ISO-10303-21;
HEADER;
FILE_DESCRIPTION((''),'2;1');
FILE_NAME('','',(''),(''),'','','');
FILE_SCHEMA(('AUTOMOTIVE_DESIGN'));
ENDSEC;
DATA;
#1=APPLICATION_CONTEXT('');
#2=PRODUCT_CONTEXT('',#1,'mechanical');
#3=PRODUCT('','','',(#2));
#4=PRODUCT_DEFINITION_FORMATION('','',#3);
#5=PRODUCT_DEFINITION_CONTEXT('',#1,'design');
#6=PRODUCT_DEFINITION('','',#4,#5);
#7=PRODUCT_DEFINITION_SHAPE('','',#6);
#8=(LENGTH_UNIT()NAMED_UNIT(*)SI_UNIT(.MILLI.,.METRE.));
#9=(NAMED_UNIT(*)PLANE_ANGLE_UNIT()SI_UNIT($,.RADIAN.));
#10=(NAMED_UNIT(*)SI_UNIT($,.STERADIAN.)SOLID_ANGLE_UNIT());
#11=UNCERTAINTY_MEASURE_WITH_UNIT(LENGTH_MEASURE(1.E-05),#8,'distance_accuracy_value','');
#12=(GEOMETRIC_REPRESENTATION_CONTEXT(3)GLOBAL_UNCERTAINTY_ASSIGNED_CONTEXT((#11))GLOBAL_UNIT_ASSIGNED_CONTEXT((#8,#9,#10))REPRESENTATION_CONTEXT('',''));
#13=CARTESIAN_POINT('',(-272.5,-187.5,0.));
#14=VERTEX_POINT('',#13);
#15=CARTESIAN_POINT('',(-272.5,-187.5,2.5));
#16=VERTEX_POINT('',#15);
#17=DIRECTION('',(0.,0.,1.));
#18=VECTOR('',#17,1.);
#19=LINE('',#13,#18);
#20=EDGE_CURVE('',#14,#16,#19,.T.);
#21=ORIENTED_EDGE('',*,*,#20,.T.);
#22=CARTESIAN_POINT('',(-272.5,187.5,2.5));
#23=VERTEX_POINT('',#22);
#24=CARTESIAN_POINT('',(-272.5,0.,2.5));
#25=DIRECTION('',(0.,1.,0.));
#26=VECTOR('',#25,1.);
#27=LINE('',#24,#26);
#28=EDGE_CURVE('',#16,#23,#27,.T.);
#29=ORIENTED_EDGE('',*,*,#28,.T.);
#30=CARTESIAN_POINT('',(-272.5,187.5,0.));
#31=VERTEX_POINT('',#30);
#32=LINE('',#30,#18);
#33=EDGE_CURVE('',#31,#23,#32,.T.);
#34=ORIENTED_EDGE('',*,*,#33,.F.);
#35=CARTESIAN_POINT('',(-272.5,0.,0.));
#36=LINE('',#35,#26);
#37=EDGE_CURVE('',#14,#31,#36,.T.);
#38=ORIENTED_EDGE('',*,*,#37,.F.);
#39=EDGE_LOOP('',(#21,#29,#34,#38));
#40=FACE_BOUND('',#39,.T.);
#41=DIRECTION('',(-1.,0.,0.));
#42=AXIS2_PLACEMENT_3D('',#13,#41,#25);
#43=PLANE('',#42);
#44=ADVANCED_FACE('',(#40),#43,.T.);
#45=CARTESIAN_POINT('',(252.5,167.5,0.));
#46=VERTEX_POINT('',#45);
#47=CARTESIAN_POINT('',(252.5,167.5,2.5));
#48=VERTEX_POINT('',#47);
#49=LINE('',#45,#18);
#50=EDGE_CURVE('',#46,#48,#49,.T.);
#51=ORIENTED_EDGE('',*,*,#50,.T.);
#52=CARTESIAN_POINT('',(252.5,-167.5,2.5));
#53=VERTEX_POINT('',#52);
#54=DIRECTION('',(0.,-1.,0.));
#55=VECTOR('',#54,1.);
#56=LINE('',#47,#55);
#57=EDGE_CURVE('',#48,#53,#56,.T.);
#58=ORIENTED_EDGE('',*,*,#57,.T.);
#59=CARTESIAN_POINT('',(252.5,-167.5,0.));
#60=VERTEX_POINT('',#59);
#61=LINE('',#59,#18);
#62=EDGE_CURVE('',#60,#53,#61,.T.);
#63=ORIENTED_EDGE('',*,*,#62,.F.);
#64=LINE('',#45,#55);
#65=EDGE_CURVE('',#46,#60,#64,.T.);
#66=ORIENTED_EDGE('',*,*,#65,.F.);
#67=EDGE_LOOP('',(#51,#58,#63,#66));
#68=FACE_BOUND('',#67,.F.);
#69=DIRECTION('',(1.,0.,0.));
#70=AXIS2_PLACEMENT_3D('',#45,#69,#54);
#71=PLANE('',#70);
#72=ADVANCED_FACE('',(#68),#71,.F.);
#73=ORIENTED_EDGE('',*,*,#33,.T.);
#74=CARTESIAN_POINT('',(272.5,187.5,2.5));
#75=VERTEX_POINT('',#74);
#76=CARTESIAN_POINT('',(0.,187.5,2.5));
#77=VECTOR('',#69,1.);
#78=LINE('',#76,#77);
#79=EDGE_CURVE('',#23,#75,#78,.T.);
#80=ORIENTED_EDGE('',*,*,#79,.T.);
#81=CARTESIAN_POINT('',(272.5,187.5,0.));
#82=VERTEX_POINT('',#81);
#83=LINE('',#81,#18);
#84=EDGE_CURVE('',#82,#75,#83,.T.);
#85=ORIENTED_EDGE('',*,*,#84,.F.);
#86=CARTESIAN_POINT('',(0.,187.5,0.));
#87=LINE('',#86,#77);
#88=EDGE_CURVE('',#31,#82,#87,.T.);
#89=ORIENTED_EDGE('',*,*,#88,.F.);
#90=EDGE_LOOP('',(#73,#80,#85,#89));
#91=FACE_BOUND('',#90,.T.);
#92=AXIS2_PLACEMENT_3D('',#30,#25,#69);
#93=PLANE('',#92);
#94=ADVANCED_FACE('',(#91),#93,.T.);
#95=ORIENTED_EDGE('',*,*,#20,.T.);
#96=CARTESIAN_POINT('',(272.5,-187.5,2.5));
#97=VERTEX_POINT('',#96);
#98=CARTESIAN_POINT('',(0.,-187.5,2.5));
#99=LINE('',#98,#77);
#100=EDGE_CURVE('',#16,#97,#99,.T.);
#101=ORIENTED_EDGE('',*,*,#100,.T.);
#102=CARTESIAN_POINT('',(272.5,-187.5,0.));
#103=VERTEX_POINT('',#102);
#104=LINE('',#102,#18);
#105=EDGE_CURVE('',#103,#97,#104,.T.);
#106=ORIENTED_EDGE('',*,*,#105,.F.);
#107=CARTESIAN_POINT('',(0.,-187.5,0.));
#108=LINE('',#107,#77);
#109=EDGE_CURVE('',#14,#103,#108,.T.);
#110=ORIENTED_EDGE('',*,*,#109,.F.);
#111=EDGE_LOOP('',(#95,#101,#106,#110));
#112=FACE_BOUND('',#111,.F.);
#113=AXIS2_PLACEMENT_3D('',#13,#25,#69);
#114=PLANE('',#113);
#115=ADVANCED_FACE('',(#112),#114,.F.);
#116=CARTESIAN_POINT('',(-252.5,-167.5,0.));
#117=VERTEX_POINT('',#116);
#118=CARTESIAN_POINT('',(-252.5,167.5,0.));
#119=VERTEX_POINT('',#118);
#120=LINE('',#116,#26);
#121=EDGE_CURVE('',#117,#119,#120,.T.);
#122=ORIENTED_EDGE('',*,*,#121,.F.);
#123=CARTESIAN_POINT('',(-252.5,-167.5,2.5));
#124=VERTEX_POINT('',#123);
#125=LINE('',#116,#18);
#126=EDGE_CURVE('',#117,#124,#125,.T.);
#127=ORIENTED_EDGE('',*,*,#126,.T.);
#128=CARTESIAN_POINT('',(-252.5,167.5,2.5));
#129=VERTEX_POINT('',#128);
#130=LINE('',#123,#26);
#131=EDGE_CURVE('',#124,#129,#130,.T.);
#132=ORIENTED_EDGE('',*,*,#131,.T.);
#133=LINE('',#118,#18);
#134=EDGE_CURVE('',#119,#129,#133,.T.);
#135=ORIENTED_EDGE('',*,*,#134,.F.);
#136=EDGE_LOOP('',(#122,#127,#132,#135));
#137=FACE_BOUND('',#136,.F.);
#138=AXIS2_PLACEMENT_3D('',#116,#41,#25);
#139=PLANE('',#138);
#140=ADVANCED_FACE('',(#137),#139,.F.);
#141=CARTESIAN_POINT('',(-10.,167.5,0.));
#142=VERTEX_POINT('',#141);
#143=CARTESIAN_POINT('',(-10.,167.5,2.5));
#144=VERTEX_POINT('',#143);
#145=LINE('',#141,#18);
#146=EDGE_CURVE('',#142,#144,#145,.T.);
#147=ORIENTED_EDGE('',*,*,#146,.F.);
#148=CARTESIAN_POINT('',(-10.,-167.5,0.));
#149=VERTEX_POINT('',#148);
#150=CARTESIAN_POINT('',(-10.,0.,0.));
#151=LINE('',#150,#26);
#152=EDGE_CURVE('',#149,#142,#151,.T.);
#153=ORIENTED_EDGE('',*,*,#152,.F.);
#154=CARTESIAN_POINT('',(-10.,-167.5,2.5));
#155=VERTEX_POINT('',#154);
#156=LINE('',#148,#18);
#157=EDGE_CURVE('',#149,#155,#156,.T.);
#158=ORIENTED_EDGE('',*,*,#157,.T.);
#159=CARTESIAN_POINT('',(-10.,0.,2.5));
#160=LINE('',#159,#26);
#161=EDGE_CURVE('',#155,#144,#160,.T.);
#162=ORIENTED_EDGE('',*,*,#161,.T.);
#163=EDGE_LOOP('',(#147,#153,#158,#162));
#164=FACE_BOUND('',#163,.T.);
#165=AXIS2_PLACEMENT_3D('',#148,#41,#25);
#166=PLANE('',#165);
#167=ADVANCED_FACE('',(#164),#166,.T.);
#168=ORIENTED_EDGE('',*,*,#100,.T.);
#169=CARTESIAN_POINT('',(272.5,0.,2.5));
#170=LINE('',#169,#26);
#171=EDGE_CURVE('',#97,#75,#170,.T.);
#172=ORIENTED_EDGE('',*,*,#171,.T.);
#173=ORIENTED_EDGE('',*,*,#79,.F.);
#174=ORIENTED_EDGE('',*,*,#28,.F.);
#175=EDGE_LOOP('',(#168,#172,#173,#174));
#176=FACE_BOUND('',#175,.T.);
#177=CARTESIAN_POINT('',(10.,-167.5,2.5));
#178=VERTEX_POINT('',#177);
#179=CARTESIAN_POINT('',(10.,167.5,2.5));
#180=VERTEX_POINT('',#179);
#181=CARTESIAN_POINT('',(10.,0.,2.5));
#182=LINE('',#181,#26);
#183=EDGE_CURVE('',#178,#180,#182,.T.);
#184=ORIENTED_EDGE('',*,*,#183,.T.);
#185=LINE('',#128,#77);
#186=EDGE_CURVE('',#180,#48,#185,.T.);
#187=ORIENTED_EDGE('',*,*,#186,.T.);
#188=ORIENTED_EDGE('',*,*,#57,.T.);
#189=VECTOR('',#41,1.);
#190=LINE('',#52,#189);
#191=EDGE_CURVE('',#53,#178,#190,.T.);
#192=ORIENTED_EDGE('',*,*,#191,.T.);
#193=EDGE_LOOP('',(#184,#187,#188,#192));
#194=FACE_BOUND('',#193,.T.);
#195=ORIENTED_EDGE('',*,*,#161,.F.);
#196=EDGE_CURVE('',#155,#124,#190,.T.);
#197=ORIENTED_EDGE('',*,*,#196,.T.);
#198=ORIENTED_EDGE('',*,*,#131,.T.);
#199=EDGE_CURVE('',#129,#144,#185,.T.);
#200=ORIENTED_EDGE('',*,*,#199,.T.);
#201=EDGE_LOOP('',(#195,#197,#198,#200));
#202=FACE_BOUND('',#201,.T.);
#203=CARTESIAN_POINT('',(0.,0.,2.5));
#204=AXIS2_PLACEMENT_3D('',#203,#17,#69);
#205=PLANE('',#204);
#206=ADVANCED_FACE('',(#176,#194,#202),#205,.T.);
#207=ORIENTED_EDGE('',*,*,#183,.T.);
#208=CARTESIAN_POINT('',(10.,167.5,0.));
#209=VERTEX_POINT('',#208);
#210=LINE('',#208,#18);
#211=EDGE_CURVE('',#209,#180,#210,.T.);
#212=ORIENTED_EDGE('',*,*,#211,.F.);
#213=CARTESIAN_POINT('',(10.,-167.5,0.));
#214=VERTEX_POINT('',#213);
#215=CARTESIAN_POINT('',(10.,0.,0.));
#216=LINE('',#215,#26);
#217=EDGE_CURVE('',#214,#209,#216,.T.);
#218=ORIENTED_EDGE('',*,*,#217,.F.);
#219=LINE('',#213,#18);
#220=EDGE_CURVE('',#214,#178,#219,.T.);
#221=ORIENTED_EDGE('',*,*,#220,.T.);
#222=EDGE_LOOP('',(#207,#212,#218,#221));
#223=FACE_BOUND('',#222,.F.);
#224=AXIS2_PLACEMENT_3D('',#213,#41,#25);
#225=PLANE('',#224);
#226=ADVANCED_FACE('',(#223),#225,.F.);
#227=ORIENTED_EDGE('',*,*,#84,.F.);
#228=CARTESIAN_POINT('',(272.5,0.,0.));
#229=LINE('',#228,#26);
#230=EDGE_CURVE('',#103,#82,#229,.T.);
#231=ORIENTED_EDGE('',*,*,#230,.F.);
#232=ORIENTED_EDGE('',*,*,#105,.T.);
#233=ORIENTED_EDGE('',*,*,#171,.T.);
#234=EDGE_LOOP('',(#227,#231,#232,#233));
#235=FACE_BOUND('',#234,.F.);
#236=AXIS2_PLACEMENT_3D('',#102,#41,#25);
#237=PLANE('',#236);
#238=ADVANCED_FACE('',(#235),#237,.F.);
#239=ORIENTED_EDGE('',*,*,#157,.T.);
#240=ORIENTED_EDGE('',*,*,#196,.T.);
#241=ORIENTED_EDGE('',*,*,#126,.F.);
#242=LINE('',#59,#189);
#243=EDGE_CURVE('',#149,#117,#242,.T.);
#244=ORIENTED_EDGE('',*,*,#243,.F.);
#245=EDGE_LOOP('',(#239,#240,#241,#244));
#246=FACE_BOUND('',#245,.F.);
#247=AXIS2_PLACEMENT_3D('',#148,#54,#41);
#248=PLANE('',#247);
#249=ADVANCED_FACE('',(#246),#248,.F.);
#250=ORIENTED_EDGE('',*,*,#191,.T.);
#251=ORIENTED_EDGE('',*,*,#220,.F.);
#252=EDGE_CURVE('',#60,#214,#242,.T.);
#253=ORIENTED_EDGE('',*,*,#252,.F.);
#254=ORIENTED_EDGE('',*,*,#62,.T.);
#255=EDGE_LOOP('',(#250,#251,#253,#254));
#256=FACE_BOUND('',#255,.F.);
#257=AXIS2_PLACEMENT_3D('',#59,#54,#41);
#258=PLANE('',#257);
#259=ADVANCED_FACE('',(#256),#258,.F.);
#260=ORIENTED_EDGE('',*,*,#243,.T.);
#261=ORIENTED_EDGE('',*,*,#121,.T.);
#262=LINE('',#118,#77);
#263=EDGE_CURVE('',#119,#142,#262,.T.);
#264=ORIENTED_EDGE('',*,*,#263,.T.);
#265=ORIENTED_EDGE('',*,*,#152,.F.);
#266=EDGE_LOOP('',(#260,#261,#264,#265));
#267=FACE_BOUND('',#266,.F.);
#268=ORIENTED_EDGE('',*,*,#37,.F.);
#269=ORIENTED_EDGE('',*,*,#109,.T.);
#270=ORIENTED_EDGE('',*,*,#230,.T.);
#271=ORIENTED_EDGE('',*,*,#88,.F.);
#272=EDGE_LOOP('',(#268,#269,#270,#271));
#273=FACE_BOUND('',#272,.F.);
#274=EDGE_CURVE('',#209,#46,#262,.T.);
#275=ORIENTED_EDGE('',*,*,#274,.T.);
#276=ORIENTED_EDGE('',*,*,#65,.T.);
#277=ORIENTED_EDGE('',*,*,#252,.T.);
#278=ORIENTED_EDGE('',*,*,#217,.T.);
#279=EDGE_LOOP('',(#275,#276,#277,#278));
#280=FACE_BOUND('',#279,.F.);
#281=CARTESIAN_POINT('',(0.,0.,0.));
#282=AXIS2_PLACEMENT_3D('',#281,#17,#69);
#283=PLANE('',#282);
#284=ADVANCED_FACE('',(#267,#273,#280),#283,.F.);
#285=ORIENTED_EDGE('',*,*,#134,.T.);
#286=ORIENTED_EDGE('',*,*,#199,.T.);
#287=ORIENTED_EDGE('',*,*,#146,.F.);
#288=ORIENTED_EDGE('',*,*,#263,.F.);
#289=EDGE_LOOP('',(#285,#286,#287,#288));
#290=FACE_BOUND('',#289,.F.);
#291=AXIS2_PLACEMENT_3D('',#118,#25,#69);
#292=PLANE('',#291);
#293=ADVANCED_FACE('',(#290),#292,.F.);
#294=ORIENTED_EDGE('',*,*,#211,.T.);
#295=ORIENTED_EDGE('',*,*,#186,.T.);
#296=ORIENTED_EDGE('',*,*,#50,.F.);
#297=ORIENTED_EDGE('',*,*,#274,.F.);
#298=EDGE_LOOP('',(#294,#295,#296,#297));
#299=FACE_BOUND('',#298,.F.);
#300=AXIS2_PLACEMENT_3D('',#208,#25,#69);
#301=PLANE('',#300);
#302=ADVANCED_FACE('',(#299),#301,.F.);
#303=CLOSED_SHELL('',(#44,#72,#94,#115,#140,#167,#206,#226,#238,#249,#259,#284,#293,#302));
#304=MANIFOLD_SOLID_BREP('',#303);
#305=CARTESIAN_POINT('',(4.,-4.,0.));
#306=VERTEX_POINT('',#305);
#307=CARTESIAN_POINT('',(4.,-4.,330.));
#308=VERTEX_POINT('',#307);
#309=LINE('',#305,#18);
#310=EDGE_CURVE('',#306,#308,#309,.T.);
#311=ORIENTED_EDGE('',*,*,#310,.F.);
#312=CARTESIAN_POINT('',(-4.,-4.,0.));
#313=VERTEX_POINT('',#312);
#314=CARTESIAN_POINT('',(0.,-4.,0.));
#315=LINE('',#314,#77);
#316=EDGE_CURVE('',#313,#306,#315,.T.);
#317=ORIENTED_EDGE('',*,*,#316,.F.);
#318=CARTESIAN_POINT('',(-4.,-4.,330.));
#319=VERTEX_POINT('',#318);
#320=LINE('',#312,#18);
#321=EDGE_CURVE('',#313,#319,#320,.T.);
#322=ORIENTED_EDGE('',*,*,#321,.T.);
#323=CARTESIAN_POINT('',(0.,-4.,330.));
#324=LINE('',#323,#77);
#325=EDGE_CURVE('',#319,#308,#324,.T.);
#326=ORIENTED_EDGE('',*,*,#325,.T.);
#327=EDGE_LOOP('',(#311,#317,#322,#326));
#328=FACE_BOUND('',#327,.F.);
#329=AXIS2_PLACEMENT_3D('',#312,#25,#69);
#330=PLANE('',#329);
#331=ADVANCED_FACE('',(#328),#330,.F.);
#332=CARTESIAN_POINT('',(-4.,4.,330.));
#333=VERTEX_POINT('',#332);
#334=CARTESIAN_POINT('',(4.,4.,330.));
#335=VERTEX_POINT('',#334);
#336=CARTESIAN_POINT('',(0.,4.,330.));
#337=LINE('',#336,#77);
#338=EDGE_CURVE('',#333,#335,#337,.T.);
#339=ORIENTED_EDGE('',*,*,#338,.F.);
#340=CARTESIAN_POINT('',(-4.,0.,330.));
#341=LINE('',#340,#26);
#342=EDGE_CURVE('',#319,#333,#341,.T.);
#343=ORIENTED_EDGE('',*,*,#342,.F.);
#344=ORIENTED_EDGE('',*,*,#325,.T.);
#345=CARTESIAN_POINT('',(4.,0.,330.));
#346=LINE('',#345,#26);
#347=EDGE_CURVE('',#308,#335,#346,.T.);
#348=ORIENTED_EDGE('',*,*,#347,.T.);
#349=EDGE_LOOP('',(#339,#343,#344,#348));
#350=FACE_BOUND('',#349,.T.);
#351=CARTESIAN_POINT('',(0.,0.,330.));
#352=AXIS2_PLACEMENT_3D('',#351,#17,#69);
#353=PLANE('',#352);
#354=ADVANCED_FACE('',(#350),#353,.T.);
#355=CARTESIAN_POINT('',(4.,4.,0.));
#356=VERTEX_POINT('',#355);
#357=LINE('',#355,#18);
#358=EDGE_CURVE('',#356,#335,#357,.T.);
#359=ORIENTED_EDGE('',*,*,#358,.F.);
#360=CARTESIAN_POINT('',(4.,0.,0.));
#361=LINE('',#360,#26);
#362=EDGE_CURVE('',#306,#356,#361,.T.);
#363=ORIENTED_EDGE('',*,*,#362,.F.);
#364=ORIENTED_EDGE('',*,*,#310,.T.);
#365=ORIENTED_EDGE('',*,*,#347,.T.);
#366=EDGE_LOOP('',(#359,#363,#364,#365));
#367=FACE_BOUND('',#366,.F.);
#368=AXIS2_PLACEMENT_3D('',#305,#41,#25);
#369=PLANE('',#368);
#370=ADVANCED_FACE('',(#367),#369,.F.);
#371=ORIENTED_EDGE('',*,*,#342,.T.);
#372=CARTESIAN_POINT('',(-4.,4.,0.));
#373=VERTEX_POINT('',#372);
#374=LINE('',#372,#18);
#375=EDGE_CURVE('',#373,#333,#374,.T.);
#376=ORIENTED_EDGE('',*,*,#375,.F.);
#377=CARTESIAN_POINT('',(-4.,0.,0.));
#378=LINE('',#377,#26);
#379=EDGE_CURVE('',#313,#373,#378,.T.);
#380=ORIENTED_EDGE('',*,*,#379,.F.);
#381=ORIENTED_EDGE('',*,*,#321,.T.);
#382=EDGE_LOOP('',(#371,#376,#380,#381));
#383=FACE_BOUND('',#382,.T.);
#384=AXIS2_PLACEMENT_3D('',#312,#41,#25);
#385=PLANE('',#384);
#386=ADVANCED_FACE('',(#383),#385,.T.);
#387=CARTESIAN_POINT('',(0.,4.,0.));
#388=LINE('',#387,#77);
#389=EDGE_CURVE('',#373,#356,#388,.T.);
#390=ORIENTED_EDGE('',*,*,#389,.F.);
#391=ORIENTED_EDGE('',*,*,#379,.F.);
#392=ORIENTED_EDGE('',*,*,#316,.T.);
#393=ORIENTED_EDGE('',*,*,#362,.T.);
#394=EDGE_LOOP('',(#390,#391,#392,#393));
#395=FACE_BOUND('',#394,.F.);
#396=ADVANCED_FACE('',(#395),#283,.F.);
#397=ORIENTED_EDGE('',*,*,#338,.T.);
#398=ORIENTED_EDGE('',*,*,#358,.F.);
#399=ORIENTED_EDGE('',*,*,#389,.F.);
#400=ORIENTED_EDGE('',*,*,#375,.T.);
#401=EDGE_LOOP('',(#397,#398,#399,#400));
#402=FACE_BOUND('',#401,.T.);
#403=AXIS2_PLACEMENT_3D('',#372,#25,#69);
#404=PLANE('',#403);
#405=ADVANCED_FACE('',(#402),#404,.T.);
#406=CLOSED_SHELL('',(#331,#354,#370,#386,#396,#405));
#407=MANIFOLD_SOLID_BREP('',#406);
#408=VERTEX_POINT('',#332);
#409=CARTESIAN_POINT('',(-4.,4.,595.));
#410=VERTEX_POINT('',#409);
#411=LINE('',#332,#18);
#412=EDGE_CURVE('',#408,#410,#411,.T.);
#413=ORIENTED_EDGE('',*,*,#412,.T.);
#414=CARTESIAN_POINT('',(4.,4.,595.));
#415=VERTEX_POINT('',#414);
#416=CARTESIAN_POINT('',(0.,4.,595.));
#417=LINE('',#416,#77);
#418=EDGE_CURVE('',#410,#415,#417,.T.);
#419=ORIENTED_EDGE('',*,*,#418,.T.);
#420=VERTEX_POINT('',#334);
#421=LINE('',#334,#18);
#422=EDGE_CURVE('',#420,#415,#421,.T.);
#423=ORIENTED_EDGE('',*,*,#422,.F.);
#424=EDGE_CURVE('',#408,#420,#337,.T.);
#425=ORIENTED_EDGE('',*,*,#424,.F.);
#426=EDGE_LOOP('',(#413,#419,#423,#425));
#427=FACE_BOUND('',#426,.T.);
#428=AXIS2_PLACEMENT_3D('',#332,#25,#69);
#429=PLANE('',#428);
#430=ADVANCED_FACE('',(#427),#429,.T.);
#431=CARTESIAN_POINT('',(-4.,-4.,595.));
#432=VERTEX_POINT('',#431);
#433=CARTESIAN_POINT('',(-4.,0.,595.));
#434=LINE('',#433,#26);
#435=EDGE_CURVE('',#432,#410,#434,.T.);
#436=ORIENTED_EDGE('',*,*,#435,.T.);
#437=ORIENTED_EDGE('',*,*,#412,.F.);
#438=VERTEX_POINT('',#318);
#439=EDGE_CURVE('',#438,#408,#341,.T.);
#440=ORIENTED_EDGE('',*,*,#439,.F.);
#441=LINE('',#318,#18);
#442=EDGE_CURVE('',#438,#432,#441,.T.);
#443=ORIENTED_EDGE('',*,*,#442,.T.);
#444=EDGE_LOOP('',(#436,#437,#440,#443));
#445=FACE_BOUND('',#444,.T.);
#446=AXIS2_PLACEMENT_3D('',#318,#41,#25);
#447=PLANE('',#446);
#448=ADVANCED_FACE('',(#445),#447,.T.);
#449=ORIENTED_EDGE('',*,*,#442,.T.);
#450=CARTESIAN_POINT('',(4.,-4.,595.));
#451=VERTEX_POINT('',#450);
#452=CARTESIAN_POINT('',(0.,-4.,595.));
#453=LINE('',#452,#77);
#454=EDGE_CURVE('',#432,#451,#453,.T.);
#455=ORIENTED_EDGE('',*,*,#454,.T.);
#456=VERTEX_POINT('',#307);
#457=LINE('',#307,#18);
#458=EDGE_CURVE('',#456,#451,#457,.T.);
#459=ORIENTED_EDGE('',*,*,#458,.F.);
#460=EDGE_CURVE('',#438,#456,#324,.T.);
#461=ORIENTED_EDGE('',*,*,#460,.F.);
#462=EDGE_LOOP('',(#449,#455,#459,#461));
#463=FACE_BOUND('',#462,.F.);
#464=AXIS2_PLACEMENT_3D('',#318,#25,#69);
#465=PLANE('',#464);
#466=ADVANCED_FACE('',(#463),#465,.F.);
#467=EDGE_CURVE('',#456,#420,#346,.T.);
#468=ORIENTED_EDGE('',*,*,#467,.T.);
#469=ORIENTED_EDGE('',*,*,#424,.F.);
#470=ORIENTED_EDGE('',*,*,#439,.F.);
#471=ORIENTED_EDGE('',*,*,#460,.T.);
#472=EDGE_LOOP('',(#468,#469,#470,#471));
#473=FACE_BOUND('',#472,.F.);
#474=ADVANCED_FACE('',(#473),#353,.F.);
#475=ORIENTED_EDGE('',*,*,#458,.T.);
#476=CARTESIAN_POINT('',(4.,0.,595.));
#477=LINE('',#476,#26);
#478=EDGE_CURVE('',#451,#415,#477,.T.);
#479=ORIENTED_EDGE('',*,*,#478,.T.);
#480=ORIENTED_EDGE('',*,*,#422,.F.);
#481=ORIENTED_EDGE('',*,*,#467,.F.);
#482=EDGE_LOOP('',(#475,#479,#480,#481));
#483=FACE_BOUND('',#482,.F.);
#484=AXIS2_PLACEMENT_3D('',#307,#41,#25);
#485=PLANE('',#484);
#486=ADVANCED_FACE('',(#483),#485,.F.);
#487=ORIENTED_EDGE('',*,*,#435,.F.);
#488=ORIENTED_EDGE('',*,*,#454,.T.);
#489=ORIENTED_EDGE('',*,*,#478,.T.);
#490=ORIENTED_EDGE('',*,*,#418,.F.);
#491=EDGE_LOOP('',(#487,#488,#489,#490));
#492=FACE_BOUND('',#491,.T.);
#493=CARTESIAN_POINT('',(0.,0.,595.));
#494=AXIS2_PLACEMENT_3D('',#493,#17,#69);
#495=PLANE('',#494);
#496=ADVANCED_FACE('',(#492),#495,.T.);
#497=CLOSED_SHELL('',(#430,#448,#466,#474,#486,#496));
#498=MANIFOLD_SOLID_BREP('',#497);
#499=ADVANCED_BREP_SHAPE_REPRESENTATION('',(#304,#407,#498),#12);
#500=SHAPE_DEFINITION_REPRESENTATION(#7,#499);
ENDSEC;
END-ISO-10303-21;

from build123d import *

# Parameters (mm, degrees)
F0_W      = 545
F0_H      = 375
F0_W_2    = 20
F0_H_2    = 335
F1_DEPTH  = 2.5
F2_W      = 8
F2_H      = 8
F3_DEPTH  = 330
F3_FACE_W = 8
F3_FACE_H = 8
F4_DEPTH  = 265


with BuildPart() as f1:
    # F0 (on Top) → F1 (new body)
    with BuildSketch(Plane.XY):
        Rectangle(F0_W, F0_H)
        Polygon((252.5, 167.5), (252.5, -167.5), (10, -167.5), (-10, -167.5), (-252.5, -167.5), (-252.5, 167.5), (-10, 167.5), (10, 167.5), align=None, mode=Mode.SUBTRACT)
        Rectangle(F0_W_2, F0_H_2)
    extrude(amount=F1_DEPTH)


with BuildPart() as f3:
    # F2 (on Top) → F3 (new body)
    with BuildSketch(Plane.XY):
        Rectangle(F2_W, F2_H)
    extrude(amount=F3_DEPTH)


with BuildPart() as f4:
    # F3_face (on face) → F4 (new body)
    with BuildSketch(Plane.XY.offset(330)):
        Rectangle(F3_FACE_W, F3_FACE_H)
    extrude(amount=F4_DEPTH)


solid = Compound([f1.part, f3.part, f4.part])
